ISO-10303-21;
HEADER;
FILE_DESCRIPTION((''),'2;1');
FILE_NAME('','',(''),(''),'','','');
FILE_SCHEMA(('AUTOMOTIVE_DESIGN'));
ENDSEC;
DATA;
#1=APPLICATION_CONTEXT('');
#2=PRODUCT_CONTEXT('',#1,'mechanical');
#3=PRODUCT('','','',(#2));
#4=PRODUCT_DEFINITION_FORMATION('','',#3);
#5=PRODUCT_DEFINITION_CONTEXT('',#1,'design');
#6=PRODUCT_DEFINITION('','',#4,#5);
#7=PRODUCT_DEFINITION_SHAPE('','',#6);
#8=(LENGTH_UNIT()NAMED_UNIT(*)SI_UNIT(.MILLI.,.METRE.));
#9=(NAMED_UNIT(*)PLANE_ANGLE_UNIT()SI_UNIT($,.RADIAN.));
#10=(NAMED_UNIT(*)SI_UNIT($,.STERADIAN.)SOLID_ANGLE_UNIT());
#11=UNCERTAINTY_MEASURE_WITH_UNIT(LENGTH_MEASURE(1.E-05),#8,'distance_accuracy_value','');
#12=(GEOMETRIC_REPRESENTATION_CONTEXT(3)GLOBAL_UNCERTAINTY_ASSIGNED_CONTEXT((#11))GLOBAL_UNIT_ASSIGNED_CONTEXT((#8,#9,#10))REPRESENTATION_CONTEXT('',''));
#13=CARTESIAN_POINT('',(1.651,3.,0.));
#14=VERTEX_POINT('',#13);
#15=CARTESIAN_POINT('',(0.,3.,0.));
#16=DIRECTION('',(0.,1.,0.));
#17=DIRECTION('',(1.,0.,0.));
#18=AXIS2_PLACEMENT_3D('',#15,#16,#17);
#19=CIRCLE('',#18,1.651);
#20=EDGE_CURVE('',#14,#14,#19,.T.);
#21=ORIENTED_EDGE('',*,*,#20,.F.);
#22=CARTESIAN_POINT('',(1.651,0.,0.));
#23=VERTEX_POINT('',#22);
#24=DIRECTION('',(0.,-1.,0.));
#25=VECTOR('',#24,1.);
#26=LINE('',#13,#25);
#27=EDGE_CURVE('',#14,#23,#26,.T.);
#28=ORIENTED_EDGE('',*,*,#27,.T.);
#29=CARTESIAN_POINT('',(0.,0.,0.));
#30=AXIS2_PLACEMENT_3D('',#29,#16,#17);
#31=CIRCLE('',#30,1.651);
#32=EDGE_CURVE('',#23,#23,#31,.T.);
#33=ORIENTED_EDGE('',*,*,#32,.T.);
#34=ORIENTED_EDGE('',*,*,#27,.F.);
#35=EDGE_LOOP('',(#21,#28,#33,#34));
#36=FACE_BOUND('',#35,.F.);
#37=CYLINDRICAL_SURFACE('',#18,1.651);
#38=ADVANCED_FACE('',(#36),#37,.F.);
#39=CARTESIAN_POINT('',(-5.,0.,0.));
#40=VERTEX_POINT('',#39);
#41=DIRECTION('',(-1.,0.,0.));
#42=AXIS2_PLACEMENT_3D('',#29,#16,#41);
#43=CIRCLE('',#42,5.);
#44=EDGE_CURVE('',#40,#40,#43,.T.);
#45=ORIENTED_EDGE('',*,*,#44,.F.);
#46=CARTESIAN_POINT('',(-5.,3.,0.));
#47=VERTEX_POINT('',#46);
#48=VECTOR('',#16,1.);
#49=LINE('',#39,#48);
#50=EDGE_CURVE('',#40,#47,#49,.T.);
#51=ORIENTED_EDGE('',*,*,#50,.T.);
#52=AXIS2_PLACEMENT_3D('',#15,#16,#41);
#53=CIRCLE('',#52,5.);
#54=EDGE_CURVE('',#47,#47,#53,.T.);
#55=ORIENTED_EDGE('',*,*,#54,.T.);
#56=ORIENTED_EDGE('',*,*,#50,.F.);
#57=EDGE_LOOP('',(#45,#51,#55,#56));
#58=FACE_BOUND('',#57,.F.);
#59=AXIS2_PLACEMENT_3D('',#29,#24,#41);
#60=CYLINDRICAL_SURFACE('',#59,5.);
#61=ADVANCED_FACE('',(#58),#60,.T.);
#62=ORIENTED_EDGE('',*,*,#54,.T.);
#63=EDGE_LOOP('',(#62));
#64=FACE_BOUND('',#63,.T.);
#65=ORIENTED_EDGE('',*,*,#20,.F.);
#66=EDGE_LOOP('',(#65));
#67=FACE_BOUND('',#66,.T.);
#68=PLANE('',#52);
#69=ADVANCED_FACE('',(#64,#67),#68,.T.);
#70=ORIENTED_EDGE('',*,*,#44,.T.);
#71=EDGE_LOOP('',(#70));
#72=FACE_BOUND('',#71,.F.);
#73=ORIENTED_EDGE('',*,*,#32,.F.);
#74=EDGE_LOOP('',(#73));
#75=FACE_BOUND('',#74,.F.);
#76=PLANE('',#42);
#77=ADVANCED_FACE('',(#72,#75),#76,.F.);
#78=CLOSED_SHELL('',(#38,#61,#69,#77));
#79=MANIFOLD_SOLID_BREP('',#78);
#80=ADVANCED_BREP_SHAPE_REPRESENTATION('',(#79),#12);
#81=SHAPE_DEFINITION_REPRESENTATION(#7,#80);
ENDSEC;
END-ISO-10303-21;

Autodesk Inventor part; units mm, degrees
ref_plane "YZ Plane" through (0, 0, 0) normal (1, 0, 0) x (0, 1, 0)
ref_plane "XZ Plane" through (0, 0, 0) normal (0, 1, 0) x (-1, 0, 0)
ref_plane "XY Plane" through (0, 0, 0) normal (0, 0, 1) x (1, 0, 0)
sketch "Sketch1" plane through (0, 0, 0) normal (0, 1, 0) x (-1, 0, 0)
  circle A0 centre (0, 0) radius 5
  dimension "d0" = 10
extrude "Extrusion1" add sketch "Sketch1" along normal blind 3
sketch "Sketch2" plane through (0, 3, 0) normal (0, 1, 0) x (1, 0, 0)
  circle A0 centre (0, 0) radius 1.651
  dimension "d3" = 3.302
extrude "Extrusion2" cut sketch "Sketch2" against normal blind 3
properties part number "Screw_Fit"
